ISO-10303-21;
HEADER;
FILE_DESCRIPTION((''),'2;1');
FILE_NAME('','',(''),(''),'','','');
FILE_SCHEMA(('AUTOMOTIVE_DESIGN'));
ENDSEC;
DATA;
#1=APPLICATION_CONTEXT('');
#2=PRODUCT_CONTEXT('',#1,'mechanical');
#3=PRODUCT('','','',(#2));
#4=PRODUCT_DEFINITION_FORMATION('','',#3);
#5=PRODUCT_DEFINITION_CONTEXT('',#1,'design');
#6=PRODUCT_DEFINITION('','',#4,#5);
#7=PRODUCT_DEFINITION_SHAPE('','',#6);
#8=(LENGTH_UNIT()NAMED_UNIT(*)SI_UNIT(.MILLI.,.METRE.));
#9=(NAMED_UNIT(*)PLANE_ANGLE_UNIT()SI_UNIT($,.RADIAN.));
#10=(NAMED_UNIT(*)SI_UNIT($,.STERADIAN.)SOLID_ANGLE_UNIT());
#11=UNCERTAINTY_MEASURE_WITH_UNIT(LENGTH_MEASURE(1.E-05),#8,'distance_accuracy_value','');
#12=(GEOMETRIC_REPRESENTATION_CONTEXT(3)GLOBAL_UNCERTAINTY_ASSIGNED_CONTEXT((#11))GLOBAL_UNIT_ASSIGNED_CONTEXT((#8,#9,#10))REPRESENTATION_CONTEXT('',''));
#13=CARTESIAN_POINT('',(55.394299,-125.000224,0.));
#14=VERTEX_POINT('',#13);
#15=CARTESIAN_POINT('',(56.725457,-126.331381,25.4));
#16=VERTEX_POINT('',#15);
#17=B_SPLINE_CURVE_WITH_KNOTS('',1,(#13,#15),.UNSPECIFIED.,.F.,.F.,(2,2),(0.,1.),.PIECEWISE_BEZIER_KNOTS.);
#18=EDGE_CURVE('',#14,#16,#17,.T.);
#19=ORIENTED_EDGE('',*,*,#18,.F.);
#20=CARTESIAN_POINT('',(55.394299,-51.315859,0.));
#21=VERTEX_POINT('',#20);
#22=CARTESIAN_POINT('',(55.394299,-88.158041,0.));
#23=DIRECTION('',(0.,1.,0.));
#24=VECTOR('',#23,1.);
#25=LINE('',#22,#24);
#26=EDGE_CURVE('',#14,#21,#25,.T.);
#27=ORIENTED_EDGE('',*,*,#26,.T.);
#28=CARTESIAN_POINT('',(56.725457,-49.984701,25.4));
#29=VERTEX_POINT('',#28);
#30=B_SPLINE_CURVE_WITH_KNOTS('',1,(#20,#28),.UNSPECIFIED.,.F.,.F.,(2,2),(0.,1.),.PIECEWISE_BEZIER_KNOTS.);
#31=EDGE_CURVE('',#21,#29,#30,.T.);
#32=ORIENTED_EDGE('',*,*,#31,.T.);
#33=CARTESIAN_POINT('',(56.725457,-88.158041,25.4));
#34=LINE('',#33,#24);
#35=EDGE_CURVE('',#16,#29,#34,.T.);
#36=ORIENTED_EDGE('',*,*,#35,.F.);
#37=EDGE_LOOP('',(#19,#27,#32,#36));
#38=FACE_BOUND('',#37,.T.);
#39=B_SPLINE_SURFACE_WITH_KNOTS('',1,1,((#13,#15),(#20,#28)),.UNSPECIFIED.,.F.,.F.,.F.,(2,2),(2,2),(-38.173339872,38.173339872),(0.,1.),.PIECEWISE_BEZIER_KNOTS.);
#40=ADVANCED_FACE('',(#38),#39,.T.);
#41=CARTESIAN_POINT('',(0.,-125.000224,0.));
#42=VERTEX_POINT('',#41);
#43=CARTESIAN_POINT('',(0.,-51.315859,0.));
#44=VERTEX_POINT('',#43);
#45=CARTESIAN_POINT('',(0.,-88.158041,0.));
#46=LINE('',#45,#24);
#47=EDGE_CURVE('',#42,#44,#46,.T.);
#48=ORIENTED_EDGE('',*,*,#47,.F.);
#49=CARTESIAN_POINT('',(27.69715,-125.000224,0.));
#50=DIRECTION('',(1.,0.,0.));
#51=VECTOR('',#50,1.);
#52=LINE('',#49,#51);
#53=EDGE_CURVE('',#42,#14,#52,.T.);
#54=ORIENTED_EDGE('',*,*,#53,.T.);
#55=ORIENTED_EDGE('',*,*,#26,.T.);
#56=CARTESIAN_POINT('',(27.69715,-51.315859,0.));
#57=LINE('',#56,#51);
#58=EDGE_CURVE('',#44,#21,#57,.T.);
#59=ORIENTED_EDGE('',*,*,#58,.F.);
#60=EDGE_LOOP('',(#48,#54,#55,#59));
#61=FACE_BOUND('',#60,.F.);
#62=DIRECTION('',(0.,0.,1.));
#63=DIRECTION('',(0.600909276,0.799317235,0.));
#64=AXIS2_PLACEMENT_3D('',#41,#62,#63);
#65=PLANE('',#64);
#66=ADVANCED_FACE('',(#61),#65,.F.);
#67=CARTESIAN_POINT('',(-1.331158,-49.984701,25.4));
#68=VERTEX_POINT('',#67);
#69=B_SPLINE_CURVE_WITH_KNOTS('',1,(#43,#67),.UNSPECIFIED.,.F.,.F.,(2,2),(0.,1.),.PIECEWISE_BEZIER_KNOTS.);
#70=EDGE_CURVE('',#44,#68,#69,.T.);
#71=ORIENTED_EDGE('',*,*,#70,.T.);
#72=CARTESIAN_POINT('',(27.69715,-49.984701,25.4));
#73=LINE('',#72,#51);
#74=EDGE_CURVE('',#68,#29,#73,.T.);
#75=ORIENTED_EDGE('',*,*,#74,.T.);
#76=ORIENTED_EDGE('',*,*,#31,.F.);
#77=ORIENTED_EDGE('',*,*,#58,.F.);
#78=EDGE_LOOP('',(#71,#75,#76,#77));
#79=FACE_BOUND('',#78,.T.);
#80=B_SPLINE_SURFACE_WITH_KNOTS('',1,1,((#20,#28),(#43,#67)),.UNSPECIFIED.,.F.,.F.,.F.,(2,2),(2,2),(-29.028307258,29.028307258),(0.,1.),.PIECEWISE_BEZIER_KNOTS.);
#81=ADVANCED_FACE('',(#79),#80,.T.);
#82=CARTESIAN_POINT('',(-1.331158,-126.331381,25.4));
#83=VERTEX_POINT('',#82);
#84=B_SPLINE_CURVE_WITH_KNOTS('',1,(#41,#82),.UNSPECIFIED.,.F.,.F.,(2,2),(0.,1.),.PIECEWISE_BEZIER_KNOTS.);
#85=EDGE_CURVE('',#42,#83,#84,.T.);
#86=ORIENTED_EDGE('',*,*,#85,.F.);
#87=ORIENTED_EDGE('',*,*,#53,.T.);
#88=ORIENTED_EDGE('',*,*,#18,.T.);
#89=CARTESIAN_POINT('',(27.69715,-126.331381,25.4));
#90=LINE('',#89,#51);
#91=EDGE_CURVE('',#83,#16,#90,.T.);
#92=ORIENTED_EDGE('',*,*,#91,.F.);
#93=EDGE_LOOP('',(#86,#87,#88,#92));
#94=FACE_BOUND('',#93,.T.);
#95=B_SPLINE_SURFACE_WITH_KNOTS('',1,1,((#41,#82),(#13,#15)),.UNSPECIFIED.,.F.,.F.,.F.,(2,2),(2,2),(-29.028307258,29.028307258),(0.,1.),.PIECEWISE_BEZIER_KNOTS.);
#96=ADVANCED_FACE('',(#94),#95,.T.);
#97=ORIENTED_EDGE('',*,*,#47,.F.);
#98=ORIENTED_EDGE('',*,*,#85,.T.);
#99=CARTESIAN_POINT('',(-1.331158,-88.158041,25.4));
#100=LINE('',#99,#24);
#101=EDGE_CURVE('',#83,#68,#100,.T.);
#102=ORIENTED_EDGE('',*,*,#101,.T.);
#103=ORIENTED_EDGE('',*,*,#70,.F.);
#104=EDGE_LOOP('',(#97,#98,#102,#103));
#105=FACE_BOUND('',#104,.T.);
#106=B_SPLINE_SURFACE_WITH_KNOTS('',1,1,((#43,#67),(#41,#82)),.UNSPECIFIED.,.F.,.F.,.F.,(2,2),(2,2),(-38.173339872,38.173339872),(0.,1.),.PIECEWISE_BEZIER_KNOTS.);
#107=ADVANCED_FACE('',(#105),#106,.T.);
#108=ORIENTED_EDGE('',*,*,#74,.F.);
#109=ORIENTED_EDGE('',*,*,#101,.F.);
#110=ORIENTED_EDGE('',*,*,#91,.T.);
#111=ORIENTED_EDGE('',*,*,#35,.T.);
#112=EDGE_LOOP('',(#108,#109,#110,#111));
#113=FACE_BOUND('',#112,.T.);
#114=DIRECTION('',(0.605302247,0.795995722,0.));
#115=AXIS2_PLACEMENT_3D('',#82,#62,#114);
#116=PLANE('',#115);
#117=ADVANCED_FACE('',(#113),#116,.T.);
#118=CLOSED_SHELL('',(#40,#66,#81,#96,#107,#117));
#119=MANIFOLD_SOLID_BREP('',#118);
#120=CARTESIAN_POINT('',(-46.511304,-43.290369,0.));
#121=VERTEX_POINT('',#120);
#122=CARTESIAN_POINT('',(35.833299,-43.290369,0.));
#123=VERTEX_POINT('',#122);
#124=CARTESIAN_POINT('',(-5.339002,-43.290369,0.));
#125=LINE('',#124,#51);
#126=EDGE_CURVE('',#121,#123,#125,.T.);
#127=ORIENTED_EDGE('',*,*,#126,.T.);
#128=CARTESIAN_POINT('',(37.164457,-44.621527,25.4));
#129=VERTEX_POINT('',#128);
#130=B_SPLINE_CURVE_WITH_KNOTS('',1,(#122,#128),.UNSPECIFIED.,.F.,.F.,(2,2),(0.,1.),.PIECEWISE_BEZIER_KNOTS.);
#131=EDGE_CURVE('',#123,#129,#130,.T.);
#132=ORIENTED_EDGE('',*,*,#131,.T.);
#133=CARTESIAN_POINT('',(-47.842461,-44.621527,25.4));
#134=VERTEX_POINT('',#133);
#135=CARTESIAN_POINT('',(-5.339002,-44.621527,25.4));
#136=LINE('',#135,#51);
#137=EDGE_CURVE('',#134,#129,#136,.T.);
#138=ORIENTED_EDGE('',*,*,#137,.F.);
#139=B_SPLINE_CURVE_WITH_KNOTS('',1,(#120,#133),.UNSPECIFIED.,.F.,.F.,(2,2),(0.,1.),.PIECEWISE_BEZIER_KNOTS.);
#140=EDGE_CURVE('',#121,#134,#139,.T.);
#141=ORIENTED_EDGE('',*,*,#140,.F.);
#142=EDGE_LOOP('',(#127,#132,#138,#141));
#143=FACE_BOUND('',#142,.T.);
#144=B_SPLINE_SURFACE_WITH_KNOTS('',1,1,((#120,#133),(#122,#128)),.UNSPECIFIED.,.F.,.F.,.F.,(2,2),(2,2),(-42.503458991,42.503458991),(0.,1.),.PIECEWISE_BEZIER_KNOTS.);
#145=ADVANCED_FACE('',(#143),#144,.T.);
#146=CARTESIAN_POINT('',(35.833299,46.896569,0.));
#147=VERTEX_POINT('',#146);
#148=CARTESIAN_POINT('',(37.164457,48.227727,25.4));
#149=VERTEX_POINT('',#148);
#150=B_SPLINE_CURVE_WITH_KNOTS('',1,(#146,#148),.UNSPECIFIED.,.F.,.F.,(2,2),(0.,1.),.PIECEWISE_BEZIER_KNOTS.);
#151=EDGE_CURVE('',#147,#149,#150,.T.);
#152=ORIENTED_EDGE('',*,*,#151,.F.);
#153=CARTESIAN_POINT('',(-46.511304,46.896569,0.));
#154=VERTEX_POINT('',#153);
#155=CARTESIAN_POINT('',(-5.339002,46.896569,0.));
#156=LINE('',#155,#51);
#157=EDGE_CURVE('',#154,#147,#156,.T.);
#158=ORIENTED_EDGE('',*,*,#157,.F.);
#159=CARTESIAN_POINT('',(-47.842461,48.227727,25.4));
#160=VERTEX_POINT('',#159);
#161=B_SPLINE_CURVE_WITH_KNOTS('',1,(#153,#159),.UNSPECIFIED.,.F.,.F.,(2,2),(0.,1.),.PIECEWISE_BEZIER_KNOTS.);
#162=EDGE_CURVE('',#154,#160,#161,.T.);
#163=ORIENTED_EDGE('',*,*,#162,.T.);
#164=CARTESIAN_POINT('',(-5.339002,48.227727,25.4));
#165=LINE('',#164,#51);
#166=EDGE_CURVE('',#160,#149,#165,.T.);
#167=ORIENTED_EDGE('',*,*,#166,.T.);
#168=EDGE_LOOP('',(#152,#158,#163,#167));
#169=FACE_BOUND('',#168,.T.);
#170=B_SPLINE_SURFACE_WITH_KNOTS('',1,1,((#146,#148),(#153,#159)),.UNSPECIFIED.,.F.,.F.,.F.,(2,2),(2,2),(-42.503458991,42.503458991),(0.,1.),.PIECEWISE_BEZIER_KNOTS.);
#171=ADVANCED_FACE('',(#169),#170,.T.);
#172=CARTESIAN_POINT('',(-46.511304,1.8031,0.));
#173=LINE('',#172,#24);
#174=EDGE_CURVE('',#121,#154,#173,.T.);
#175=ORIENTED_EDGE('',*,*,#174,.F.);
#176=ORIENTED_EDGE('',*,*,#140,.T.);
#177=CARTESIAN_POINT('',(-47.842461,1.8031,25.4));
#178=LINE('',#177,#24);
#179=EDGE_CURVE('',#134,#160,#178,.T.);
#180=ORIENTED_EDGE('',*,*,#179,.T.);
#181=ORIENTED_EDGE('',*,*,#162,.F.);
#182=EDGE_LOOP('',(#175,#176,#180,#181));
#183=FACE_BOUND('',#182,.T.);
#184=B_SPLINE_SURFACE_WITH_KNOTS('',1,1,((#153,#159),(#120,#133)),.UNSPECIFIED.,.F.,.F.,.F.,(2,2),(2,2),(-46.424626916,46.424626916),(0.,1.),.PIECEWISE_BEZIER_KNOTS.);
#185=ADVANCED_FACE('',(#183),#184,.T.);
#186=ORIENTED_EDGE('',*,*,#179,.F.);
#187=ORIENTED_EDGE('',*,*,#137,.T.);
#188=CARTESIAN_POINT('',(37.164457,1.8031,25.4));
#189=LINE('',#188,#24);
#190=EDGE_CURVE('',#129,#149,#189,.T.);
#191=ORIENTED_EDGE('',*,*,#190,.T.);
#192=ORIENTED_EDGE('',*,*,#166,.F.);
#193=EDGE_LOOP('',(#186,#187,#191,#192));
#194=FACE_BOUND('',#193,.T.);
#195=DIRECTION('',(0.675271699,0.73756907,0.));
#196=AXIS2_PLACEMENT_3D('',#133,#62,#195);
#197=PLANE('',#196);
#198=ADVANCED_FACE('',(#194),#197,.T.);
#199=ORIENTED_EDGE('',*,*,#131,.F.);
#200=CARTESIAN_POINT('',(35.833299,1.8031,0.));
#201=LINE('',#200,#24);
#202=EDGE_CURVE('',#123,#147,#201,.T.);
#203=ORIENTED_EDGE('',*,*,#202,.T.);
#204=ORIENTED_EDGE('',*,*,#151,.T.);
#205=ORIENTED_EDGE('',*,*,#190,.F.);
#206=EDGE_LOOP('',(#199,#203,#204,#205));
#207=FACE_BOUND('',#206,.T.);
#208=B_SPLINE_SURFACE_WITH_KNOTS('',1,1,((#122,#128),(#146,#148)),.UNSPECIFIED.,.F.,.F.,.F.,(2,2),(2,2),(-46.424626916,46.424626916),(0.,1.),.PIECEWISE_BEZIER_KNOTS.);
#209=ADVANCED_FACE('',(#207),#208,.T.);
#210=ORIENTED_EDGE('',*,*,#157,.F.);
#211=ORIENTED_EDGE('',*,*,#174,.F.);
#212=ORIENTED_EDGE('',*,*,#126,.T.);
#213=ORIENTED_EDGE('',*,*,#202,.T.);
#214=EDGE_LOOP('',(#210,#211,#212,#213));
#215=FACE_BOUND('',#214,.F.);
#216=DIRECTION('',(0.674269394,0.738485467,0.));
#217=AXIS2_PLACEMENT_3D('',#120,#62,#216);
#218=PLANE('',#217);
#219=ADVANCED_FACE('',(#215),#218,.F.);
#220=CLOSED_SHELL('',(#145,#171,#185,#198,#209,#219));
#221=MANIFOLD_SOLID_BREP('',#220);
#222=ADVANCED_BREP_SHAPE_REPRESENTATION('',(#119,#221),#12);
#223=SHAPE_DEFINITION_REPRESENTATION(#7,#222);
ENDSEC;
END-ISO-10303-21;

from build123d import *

# Parameters (mm, degrees)
F1_W     = 82.3446027935
F1_H     = 90.1869386435
F0_DEPTH = 25.4
F0_TAPER = -3
F1_W_2   = 55.3942993283
F1_H_2   = 73.6843645573


with BuildPart() as f0:
    # F1 (on Top) → F0 (new body)
    with BuildSketch(Plane.XY):
        with Locations((-5.3390022367, 1.8031001091)):
            Rectangle(F1_W, F1_H)
    extrude(amount=F0_DEPTH, taper=F0_TAPER)


with BuildPart() as f0b:
    # F1 (on Top) → F0, piece 2 (new body)
    with BuildSketch(Plane.XY):
        with Locations((27.6971496642, -88.1580412388)):
            Rectangle(F1_W_2, F1_H_2)
    extrude(amount=F0_DEPTH, taper=F0_TAPER)


solid = Compound([f0.part, f0b.part])
